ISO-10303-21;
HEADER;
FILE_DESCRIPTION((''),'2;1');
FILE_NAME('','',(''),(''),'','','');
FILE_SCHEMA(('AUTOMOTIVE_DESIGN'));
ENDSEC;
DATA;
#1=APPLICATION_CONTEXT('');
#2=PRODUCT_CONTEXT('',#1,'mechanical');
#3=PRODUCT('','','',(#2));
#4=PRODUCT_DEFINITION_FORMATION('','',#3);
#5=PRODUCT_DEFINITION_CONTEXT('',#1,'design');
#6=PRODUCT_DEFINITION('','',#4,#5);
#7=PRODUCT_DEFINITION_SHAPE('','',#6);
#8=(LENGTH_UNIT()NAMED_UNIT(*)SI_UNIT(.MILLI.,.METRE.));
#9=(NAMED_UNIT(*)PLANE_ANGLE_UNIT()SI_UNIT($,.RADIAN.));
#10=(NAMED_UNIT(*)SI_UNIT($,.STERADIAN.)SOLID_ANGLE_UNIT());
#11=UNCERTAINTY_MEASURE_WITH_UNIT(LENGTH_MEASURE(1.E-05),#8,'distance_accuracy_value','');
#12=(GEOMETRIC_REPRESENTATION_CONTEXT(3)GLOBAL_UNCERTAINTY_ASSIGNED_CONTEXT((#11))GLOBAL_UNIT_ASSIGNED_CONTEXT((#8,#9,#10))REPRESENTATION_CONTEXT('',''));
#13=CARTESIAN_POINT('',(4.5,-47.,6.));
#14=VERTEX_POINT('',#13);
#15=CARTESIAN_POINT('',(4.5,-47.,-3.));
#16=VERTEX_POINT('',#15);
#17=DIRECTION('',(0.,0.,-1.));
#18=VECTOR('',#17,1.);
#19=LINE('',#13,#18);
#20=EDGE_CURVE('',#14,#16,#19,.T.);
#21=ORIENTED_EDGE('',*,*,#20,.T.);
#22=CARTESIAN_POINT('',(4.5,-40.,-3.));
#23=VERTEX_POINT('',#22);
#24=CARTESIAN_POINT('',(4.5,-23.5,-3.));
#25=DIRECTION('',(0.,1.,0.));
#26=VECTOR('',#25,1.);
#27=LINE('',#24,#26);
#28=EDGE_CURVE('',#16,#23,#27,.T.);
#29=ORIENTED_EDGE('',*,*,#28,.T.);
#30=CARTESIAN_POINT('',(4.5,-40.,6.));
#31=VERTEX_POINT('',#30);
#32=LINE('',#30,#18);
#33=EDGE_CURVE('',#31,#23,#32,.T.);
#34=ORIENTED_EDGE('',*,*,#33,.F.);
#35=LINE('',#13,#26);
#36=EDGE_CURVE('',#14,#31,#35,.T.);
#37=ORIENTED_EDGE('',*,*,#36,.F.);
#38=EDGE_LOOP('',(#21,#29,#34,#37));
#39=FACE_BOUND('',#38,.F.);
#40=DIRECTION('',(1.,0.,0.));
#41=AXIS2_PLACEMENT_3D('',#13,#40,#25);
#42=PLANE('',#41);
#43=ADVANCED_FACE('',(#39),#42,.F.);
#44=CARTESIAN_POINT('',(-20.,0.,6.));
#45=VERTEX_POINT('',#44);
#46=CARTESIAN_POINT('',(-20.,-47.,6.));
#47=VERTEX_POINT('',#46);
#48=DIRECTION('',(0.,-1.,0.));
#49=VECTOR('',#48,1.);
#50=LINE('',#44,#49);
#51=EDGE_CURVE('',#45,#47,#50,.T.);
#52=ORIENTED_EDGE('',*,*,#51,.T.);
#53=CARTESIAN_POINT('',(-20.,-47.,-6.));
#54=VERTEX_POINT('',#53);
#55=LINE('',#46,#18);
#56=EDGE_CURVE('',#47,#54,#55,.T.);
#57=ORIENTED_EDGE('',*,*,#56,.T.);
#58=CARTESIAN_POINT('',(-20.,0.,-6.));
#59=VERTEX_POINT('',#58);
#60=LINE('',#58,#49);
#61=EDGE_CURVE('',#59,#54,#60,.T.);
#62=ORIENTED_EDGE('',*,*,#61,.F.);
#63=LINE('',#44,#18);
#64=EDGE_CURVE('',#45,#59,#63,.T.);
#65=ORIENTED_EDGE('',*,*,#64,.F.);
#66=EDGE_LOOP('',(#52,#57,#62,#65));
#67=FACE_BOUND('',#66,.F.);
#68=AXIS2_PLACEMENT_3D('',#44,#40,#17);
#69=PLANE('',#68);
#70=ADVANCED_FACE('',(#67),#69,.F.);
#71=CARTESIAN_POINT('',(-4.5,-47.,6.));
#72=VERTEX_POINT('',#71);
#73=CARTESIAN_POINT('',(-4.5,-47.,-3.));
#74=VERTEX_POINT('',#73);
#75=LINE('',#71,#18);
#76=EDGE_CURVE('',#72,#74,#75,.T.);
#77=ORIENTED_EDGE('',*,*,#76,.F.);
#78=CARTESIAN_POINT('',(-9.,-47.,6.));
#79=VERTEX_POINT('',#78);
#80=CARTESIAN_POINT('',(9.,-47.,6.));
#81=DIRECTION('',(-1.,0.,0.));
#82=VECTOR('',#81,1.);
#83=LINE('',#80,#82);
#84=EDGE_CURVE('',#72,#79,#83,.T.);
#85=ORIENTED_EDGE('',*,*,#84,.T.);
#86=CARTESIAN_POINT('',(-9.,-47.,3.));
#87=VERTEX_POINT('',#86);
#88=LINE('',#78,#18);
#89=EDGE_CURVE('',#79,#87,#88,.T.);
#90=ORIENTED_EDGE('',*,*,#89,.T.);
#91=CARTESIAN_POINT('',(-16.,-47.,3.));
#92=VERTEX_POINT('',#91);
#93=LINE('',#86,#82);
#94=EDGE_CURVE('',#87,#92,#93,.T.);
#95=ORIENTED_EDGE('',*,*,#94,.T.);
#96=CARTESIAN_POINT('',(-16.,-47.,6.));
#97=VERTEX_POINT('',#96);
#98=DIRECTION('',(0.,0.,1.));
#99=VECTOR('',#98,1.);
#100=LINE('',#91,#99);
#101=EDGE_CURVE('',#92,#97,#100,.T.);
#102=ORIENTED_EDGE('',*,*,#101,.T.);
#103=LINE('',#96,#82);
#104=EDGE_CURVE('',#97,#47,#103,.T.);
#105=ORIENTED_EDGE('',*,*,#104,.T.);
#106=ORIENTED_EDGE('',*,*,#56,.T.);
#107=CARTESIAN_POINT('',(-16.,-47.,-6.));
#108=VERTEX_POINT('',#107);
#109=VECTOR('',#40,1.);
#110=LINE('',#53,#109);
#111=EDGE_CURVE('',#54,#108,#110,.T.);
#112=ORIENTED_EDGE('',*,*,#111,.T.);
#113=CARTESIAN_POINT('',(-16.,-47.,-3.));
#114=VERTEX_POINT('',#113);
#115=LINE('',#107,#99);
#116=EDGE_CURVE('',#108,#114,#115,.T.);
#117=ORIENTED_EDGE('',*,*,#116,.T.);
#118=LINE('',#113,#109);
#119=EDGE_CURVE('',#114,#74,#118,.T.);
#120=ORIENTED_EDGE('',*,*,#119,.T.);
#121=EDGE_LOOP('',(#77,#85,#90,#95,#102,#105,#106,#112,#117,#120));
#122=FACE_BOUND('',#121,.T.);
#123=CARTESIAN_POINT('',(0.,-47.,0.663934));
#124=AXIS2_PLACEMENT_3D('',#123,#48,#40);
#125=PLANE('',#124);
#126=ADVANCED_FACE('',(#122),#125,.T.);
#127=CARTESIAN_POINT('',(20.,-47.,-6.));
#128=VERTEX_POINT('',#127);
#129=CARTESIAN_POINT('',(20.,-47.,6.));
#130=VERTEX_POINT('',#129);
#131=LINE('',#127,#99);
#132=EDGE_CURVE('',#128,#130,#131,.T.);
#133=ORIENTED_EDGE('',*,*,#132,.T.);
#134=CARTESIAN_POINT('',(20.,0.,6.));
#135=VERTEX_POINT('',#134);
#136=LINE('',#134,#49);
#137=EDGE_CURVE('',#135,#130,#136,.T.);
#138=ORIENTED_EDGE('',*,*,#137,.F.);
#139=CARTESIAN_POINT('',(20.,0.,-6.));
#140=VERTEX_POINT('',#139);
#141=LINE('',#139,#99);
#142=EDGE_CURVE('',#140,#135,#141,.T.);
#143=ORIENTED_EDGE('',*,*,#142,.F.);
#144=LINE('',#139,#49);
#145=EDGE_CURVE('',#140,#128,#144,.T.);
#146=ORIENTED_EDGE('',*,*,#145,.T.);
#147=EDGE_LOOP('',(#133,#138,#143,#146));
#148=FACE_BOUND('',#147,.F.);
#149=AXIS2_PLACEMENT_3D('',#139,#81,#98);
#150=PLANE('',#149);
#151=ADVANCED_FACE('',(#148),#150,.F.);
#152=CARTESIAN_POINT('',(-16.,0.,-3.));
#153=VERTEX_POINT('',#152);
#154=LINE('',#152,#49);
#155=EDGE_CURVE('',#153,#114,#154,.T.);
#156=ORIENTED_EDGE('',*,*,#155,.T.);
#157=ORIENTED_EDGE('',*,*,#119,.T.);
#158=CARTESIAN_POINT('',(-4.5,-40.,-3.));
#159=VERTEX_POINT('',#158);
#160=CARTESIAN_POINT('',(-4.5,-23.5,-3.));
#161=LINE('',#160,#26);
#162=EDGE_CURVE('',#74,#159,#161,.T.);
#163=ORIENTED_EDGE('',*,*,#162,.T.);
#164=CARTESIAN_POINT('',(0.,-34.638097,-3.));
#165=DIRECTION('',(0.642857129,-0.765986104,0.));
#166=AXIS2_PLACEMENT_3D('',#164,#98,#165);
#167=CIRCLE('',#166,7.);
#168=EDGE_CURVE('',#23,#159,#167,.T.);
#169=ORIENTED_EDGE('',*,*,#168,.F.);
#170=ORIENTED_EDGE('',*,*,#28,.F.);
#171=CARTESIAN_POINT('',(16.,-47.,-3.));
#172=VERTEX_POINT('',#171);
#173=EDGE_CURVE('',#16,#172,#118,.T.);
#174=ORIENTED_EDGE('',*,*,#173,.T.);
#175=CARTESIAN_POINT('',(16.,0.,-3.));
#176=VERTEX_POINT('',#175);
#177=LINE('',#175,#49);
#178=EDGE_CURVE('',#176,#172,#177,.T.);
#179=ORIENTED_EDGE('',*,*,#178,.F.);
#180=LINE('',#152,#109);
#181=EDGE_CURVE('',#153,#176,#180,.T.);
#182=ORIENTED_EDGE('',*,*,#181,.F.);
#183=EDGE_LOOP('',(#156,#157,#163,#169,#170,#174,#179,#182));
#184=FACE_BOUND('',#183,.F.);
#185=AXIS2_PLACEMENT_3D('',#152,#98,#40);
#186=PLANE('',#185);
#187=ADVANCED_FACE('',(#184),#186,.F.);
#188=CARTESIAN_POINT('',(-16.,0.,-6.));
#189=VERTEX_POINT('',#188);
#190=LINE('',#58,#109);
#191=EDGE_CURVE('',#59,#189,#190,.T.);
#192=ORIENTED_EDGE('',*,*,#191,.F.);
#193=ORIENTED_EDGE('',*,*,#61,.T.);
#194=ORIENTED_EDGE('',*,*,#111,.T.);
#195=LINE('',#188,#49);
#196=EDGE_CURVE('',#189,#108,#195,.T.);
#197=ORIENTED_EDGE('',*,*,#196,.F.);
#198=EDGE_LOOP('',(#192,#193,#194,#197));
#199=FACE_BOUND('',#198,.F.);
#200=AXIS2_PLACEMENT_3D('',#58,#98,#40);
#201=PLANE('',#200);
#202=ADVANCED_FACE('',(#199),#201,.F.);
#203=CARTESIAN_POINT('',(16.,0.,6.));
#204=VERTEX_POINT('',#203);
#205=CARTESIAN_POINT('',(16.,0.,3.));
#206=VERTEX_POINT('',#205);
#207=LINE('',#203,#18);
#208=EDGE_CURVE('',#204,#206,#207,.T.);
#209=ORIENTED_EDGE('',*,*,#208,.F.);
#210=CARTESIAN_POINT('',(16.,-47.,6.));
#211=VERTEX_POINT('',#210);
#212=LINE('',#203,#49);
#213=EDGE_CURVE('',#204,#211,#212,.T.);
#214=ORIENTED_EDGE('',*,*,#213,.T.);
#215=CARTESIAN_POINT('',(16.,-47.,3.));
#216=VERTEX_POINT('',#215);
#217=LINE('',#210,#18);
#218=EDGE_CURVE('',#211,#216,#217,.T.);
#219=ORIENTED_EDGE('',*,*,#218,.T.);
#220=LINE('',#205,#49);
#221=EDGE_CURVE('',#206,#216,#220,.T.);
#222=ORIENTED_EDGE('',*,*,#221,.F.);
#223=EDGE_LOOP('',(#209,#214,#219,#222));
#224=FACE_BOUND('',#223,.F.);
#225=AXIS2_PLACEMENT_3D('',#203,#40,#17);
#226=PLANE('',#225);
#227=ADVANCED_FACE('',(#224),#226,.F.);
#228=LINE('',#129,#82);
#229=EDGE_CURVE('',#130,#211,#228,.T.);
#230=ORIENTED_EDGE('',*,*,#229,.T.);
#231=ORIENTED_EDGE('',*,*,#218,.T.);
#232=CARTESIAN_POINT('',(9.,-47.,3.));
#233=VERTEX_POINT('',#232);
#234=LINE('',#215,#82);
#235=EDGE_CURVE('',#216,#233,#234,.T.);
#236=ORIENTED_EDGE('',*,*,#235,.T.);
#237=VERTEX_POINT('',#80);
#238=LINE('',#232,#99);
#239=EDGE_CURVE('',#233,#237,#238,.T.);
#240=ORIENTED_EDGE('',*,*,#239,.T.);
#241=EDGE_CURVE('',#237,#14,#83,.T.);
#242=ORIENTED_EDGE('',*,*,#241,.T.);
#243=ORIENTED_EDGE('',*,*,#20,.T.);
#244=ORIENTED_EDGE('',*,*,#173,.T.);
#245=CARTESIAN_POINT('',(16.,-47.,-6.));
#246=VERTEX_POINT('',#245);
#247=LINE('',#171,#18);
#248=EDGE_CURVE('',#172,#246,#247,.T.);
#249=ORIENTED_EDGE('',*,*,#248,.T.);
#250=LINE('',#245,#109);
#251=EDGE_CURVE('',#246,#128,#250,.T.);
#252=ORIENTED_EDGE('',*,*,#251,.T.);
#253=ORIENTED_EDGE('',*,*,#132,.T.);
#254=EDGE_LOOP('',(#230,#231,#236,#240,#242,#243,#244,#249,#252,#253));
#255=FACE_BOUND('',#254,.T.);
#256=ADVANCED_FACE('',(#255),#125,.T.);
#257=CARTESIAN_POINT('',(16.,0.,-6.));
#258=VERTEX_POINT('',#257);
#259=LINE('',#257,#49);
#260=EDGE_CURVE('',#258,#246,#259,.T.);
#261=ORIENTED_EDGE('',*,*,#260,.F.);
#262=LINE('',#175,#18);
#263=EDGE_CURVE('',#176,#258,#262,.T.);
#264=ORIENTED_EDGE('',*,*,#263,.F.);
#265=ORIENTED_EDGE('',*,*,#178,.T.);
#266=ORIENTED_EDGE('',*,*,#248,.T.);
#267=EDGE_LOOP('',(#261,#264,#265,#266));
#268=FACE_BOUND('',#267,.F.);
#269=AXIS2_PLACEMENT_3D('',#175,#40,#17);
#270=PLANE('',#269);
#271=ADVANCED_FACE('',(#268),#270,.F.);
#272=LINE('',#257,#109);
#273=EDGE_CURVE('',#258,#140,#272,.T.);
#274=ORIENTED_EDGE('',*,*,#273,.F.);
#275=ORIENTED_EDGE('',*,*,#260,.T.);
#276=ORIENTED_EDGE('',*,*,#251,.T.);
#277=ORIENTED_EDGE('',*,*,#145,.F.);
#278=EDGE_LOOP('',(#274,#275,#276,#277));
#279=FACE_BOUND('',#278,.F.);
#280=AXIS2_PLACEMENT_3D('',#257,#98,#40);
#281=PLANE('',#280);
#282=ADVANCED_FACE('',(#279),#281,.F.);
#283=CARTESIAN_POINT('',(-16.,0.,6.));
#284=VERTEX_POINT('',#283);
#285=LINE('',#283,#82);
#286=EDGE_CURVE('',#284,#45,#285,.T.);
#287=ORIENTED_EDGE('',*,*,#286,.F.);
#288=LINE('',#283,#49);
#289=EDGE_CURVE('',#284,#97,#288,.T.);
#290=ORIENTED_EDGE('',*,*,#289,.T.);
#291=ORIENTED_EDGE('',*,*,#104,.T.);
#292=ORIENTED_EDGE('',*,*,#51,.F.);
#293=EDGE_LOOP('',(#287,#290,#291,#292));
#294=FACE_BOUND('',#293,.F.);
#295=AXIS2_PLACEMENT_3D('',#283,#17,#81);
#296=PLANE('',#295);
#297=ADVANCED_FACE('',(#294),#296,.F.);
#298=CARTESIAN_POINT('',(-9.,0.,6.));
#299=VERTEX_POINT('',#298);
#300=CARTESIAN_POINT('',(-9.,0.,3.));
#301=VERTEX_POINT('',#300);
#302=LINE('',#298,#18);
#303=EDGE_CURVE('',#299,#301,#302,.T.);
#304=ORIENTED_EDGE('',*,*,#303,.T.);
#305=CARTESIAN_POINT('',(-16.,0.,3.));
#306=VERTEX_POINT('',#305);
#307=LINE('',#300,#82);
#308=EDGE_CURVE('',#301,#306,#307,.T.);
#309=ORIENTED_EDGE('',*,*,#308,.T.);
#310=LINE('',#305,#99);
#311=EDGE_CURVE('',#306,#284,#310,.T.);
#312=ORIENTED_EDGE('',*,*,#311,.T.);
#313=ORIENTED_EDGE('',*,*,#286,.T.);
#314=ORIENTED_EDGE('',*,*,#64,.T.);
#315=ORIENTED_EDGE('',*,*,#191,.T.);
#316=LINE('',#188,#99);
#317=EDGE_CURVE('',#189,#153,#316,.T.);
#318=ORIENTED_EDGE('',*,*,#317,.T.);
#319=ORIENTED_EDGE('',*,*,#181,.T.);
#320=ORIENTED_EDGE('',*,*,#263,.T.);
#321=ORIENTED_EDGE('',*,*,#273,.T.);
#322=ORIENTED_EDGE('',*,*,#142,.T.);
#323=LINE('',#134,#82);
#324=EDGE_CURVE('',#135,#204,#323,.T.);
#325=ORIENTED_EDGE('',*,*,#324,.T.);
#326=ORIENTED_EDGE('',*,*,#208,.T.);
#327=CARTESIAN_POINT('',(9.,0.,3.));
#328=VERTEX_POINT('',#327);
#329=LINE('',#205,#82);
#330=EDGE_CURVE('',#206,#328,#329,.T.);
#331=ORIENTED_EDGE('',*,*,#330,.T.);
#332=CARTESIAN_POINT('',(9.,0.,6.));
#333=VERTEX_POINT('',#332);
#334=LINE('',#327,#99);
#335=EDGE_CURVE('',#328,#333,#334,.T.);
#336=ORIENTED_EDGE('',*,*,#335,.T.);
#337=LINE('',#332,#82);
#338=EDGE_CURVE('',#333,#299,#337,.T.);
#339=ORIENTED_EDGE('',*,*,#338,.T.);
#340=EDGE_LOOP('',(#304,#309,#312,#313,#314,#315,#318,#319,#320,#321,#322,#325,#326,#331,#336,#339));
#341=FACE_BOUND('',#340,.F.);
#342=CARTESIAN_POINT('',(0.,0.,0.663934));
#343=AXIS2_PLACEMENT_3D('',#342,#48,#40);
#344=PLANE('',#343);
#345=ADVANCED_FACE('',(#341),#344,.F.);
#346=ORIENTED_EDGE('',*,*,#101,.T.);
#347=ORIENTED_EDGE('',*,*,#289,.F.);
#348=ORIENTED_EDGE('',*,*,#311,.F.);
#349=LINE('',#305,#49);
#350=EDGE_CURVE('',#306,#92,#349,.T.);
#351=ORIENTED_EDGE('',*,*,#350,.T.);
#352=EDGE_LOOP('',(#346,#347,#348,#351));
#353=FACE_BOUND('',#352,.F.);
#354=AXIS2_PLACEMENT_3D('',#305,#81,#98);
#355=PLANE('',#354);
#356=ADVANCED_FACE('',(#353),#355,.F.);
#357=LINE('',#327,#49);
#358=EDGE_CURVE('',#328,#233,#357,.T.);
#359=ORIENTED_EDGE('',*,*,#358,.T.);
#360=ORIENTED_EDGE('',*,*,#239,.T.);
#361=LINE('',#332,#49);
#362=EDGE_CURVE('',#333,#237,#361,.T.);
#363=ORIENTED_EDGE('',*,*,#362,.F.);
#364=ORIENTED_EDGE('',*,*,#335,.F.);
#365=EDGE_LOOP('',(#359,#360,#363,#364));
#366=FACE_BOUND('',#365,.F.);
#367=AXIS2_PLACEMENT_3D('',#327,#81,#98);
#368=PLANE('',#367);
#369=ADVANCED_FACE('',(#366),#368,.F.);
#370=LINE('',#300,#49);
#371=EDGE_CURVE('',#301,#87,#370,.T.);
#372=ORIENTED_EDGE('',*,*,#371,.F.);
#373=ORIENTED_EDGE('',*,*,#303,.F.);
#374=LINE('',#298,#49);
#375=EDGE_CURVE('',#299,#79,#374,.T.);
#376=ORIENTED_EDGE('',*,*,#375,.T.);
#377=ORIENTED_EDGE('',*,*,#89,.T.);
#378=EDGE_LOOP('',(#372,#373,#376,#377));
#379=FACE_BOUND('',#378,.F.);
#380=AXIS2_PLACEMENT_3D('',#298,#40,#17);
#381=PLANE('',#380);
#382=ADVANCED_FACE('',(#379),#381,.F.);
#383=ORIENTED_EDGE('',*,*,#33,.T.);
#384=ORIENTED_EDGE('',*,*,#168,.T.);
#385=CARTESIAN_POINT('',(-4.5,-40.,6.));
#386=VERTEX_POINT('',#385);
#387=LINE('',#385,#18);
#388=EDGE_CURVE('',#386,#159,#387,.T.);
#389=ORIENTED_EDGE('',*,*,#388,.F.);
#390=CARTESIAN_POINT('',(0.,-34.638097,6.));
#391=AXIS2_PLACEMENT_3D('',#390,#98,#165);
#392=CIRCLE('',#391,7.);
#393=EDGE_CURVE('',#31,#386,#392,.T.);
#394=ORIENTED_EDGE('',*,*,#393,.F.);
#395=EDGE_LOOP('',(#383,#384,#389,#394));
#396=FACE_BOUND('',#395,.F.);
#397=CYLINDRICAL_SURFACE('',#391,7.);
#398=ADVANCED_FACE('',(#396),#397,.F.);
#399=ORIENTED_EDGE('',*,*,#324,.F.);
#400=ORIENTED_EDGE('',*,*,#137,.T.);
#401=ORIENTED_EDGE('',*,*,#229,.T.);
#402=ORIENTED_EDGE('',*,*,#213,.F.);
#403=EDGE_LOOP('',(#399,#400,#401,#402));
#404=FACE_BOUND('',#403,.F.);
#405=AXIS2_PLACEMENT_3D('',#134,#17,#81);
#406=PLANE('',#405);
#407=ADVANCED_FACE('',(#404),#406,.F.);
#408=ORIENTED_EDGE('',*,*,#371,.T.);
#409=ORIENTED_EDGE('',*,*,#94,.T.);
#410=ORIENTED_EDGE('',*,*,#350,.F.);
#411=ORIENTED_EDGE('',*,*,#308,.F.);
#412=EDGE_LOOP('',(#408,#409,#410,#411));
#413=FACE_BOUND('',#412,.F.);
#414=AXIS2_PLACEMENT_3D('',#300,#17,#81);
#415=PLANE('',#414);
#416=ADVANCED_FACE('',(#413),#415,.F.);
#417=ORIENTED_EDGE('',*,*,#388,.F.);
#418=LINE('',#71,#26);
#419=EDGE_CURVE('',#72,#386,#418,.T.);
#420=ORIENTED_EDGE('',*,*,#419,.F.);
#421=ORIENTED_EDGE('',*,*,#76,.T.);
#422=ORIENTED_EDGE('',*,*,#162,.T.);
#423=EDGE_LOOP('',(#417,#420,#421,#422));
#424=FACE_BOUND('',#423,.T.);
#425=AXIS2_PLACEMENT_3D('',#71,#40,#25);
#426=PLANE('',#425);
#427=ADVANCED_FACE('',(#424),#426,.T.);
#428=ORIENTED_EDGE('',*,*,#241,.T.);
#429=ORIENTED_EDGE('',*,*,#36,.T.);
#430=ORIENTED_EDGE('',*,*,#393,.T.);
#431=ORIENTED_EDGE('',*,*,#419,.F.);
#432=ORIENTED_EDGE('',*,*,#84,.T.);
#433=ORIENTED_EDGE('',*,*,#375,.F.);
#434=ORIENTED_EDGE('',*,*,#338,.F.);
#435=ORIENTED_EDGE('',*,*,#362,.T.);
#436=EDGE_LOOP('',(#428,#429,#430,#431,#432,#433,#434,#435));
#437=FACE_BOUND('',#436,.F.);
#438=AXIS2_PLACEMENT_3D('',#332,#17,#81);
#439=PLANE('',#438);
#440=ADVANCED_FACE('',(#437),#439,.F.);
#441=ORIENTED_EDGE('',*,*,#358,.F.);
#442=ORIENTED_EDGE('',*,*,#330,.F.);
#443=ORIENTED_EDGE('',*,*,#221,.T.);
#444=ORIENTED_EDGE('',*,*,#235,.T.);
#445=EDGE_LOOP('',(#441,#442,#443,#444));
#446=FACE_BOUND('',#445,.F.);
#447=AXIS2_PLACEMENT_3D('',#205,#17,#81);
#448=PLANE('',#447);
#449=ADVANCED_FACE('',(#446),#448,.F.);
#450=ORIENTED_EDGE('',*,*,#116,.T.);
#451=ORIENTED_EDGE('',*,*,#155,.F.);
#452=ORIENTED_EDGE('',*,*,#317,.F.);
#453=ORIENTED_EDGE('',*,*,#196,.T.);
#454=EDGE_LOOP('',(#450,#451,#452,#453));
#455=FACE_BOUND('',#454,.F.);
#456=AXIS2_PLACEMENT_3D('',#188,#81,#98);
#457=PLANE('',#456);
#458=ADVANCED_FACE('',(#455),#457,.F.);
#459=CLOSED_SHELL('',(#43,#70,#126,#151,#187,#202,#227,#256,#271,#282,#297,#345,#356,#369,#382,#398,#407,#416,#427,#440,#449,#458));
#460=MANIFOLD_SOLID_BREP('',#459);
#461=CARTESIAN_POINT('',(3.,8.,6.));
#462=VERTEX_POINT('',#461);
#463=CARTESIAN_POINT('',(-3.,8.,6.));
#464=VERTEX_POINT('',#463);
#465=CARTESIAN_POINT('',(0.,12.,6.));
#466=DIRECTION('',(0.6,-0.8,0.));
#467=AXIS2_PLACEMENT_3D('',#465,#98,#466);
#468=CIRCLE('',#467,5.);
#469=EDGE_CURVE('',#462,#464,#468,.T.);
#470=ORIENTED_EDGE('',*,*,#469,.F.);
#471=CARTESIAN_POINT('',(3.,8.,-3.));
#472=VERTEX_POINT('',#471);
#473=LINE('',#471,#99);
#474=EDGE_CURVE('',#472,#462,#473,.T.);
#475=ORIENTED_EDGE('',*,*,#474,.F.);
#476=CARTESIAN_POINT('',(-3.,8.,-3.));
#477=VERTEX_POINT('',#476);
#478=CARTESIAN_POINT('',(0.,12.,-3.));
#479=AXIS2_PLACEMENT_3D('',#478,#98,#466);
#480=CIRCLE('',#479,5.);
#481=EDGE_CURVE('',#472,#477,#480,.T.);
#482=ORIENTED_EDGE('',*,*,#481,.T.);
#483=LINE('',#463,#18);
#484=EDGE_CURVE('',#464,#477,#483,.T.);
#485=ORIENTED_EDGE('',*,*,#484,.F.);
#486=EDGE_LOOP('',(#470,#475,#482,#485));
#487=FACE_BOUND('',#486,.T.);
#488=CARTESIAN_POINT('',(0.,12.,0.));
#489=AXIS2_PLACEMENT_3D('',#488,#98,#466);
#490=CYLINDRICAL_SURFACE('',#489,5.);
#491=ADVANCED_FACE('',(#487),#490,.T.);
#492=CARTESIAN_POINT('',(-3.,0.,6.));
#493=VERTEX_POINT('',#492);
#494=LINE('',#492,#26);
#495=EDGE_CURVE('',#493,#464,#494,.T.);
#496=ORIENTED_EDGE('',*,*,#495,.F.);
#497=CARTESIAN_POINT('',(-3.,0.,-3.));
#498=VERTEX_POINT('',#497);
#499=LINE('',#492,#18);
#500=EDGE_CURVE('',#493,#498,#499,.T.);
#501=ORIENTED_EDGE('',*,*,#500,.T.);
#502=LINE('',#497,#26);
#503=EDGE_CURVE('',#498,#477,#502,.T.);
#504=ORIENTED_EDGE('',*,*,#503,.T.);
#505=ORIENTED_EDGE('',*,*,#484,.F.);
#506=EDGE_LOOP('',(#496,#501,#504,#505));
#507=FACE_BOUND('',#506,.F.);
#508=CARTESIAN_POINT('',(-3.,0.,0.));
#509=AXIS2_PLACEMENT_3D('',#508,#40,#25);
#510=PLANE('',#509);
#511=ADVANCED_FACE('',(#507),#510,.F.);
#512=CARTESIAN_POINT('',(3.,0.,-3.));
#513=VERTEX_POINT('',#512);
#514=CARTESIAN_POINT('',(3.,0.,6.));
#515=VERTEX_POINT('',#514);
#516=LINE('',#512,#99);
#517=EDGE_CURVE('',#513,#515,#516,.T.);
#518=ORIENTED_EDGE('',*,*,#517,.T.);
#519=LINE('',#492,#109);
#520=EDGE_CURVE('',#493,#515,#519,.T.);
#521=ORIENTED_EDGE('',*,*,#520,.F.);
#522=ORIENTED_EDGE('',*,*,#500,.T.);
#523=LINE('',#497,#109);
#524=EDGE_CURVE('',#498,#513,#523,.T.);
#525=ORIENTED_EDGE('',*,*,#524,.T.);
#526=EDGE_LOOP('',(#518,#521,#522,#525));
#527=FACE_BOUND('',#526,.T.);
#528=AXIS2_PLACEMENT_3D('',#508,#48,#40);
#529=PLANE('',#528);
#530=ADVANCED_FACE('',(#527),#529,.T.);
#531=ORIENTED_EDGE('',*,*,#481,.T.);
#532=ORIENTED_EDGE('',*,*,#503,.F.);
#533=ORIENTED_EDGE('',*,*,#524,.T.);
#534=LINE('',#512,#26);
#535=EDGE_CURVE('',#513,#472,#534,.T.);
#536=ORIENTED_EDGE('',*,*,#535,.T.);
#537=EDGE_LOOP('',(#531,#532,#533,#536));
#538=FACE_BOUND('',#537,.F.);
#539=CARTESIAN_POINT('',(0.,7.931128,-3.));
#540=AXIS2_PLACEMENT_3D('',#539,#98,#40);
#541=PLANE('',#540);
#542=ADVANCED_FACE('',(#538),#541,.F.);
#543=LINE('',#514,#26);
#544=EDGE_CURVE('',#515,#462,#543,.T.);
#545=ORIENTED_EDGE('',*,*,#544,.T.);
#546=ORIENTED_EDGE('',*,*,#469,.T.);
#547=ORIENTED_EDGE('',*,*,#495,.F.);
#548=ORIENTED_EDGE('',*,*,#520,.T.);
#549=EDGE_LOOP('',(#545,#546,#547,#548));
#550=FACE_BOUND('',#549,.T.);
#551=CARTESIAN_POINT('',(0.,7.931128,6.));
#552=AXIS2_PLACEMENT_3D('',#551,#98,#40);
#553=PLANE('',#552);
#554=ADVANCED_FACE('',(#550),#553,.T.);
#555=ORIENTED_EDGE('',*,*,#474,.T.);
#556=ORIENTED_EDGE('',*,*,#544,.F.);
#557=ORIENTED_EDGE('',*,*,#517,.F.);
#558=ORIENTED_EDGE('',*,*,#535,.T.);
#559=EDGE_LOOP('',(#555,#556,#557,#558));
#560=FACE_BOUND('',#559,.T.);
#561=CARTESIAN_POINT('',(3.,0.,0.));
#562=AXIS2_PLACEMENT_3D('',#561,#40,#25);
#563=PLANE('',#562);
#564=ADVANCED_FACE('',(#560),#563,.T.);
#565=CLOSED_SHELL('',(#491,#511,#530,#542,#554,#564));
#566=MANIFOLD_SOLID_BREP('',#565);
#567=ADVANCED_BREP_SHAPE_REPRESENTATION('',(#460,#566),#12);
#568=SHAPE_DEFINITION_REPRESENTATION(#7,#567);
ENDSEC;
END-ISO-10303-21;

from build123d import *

# Parameters (mm, degrees)
PAD_DEPTH         = 47
POCKET_DEPTH      = 12.001
PAD001_DEPTH      = 6
PAD001_DEPTH_BACK = 3


with BuildPart() as body:
    # Sketch → Pad (new body)
    with BuildSketch(Plane.XZ):
        Polygon((-20, 6), (-20, -6), (-16, -6), (-16, -3), (-9, -3), (9, -3), (16, -3), (16, -6), (20, -6), (20, 6), (16, 6), (16, 3), (9, 3), (9, 6), (-9, 6), (-9, 3), (-16, 3), (-16, 6), align=None)
    extrude(amount=PAD_DEPTH)

    # Sketch002 (on Face14 of Pad) → Pocket (cut, through all)
    with BuildSketch(Plane(origin=(0, 0, 6), x_dir=(-1, 0, 0), z_dir=(0, 0, 1))):
        with BuildLine():
            Line((-4.5, 47), (4.5, 47))
            Line((4.5, 47), (4.5, 40))
            ThreePointArc((-4.5, 40), (0, 27.638097), (4.5, 40))
            Line((-4.5, 47), (-4.5, 40))
        make_face()
    extrude(amount=-POCKET_DEPTH, mode=Mode.SUBTRACT)


with BuildPart() as body001:
    # Sketch001 → Pad001 (new body, two sides)
    with BuildSketch(Plane.XY) as pad001_sk:
        with BuildLine():
            Line((-3, 0), (3, 0))
            Line((3, 0), (3, 8))
            ThreePointArc((3, 8), (0, 17), (-3, 8))
            Line((-3, 0), (-3, 8))
        make_face()
    extrude(amount=PAD001_DEPTH)
    extrude(pad001_sk.sketch, amount=-PAD001_DEPTH_BACK)


solid = Compound([body.part, body001.part])
